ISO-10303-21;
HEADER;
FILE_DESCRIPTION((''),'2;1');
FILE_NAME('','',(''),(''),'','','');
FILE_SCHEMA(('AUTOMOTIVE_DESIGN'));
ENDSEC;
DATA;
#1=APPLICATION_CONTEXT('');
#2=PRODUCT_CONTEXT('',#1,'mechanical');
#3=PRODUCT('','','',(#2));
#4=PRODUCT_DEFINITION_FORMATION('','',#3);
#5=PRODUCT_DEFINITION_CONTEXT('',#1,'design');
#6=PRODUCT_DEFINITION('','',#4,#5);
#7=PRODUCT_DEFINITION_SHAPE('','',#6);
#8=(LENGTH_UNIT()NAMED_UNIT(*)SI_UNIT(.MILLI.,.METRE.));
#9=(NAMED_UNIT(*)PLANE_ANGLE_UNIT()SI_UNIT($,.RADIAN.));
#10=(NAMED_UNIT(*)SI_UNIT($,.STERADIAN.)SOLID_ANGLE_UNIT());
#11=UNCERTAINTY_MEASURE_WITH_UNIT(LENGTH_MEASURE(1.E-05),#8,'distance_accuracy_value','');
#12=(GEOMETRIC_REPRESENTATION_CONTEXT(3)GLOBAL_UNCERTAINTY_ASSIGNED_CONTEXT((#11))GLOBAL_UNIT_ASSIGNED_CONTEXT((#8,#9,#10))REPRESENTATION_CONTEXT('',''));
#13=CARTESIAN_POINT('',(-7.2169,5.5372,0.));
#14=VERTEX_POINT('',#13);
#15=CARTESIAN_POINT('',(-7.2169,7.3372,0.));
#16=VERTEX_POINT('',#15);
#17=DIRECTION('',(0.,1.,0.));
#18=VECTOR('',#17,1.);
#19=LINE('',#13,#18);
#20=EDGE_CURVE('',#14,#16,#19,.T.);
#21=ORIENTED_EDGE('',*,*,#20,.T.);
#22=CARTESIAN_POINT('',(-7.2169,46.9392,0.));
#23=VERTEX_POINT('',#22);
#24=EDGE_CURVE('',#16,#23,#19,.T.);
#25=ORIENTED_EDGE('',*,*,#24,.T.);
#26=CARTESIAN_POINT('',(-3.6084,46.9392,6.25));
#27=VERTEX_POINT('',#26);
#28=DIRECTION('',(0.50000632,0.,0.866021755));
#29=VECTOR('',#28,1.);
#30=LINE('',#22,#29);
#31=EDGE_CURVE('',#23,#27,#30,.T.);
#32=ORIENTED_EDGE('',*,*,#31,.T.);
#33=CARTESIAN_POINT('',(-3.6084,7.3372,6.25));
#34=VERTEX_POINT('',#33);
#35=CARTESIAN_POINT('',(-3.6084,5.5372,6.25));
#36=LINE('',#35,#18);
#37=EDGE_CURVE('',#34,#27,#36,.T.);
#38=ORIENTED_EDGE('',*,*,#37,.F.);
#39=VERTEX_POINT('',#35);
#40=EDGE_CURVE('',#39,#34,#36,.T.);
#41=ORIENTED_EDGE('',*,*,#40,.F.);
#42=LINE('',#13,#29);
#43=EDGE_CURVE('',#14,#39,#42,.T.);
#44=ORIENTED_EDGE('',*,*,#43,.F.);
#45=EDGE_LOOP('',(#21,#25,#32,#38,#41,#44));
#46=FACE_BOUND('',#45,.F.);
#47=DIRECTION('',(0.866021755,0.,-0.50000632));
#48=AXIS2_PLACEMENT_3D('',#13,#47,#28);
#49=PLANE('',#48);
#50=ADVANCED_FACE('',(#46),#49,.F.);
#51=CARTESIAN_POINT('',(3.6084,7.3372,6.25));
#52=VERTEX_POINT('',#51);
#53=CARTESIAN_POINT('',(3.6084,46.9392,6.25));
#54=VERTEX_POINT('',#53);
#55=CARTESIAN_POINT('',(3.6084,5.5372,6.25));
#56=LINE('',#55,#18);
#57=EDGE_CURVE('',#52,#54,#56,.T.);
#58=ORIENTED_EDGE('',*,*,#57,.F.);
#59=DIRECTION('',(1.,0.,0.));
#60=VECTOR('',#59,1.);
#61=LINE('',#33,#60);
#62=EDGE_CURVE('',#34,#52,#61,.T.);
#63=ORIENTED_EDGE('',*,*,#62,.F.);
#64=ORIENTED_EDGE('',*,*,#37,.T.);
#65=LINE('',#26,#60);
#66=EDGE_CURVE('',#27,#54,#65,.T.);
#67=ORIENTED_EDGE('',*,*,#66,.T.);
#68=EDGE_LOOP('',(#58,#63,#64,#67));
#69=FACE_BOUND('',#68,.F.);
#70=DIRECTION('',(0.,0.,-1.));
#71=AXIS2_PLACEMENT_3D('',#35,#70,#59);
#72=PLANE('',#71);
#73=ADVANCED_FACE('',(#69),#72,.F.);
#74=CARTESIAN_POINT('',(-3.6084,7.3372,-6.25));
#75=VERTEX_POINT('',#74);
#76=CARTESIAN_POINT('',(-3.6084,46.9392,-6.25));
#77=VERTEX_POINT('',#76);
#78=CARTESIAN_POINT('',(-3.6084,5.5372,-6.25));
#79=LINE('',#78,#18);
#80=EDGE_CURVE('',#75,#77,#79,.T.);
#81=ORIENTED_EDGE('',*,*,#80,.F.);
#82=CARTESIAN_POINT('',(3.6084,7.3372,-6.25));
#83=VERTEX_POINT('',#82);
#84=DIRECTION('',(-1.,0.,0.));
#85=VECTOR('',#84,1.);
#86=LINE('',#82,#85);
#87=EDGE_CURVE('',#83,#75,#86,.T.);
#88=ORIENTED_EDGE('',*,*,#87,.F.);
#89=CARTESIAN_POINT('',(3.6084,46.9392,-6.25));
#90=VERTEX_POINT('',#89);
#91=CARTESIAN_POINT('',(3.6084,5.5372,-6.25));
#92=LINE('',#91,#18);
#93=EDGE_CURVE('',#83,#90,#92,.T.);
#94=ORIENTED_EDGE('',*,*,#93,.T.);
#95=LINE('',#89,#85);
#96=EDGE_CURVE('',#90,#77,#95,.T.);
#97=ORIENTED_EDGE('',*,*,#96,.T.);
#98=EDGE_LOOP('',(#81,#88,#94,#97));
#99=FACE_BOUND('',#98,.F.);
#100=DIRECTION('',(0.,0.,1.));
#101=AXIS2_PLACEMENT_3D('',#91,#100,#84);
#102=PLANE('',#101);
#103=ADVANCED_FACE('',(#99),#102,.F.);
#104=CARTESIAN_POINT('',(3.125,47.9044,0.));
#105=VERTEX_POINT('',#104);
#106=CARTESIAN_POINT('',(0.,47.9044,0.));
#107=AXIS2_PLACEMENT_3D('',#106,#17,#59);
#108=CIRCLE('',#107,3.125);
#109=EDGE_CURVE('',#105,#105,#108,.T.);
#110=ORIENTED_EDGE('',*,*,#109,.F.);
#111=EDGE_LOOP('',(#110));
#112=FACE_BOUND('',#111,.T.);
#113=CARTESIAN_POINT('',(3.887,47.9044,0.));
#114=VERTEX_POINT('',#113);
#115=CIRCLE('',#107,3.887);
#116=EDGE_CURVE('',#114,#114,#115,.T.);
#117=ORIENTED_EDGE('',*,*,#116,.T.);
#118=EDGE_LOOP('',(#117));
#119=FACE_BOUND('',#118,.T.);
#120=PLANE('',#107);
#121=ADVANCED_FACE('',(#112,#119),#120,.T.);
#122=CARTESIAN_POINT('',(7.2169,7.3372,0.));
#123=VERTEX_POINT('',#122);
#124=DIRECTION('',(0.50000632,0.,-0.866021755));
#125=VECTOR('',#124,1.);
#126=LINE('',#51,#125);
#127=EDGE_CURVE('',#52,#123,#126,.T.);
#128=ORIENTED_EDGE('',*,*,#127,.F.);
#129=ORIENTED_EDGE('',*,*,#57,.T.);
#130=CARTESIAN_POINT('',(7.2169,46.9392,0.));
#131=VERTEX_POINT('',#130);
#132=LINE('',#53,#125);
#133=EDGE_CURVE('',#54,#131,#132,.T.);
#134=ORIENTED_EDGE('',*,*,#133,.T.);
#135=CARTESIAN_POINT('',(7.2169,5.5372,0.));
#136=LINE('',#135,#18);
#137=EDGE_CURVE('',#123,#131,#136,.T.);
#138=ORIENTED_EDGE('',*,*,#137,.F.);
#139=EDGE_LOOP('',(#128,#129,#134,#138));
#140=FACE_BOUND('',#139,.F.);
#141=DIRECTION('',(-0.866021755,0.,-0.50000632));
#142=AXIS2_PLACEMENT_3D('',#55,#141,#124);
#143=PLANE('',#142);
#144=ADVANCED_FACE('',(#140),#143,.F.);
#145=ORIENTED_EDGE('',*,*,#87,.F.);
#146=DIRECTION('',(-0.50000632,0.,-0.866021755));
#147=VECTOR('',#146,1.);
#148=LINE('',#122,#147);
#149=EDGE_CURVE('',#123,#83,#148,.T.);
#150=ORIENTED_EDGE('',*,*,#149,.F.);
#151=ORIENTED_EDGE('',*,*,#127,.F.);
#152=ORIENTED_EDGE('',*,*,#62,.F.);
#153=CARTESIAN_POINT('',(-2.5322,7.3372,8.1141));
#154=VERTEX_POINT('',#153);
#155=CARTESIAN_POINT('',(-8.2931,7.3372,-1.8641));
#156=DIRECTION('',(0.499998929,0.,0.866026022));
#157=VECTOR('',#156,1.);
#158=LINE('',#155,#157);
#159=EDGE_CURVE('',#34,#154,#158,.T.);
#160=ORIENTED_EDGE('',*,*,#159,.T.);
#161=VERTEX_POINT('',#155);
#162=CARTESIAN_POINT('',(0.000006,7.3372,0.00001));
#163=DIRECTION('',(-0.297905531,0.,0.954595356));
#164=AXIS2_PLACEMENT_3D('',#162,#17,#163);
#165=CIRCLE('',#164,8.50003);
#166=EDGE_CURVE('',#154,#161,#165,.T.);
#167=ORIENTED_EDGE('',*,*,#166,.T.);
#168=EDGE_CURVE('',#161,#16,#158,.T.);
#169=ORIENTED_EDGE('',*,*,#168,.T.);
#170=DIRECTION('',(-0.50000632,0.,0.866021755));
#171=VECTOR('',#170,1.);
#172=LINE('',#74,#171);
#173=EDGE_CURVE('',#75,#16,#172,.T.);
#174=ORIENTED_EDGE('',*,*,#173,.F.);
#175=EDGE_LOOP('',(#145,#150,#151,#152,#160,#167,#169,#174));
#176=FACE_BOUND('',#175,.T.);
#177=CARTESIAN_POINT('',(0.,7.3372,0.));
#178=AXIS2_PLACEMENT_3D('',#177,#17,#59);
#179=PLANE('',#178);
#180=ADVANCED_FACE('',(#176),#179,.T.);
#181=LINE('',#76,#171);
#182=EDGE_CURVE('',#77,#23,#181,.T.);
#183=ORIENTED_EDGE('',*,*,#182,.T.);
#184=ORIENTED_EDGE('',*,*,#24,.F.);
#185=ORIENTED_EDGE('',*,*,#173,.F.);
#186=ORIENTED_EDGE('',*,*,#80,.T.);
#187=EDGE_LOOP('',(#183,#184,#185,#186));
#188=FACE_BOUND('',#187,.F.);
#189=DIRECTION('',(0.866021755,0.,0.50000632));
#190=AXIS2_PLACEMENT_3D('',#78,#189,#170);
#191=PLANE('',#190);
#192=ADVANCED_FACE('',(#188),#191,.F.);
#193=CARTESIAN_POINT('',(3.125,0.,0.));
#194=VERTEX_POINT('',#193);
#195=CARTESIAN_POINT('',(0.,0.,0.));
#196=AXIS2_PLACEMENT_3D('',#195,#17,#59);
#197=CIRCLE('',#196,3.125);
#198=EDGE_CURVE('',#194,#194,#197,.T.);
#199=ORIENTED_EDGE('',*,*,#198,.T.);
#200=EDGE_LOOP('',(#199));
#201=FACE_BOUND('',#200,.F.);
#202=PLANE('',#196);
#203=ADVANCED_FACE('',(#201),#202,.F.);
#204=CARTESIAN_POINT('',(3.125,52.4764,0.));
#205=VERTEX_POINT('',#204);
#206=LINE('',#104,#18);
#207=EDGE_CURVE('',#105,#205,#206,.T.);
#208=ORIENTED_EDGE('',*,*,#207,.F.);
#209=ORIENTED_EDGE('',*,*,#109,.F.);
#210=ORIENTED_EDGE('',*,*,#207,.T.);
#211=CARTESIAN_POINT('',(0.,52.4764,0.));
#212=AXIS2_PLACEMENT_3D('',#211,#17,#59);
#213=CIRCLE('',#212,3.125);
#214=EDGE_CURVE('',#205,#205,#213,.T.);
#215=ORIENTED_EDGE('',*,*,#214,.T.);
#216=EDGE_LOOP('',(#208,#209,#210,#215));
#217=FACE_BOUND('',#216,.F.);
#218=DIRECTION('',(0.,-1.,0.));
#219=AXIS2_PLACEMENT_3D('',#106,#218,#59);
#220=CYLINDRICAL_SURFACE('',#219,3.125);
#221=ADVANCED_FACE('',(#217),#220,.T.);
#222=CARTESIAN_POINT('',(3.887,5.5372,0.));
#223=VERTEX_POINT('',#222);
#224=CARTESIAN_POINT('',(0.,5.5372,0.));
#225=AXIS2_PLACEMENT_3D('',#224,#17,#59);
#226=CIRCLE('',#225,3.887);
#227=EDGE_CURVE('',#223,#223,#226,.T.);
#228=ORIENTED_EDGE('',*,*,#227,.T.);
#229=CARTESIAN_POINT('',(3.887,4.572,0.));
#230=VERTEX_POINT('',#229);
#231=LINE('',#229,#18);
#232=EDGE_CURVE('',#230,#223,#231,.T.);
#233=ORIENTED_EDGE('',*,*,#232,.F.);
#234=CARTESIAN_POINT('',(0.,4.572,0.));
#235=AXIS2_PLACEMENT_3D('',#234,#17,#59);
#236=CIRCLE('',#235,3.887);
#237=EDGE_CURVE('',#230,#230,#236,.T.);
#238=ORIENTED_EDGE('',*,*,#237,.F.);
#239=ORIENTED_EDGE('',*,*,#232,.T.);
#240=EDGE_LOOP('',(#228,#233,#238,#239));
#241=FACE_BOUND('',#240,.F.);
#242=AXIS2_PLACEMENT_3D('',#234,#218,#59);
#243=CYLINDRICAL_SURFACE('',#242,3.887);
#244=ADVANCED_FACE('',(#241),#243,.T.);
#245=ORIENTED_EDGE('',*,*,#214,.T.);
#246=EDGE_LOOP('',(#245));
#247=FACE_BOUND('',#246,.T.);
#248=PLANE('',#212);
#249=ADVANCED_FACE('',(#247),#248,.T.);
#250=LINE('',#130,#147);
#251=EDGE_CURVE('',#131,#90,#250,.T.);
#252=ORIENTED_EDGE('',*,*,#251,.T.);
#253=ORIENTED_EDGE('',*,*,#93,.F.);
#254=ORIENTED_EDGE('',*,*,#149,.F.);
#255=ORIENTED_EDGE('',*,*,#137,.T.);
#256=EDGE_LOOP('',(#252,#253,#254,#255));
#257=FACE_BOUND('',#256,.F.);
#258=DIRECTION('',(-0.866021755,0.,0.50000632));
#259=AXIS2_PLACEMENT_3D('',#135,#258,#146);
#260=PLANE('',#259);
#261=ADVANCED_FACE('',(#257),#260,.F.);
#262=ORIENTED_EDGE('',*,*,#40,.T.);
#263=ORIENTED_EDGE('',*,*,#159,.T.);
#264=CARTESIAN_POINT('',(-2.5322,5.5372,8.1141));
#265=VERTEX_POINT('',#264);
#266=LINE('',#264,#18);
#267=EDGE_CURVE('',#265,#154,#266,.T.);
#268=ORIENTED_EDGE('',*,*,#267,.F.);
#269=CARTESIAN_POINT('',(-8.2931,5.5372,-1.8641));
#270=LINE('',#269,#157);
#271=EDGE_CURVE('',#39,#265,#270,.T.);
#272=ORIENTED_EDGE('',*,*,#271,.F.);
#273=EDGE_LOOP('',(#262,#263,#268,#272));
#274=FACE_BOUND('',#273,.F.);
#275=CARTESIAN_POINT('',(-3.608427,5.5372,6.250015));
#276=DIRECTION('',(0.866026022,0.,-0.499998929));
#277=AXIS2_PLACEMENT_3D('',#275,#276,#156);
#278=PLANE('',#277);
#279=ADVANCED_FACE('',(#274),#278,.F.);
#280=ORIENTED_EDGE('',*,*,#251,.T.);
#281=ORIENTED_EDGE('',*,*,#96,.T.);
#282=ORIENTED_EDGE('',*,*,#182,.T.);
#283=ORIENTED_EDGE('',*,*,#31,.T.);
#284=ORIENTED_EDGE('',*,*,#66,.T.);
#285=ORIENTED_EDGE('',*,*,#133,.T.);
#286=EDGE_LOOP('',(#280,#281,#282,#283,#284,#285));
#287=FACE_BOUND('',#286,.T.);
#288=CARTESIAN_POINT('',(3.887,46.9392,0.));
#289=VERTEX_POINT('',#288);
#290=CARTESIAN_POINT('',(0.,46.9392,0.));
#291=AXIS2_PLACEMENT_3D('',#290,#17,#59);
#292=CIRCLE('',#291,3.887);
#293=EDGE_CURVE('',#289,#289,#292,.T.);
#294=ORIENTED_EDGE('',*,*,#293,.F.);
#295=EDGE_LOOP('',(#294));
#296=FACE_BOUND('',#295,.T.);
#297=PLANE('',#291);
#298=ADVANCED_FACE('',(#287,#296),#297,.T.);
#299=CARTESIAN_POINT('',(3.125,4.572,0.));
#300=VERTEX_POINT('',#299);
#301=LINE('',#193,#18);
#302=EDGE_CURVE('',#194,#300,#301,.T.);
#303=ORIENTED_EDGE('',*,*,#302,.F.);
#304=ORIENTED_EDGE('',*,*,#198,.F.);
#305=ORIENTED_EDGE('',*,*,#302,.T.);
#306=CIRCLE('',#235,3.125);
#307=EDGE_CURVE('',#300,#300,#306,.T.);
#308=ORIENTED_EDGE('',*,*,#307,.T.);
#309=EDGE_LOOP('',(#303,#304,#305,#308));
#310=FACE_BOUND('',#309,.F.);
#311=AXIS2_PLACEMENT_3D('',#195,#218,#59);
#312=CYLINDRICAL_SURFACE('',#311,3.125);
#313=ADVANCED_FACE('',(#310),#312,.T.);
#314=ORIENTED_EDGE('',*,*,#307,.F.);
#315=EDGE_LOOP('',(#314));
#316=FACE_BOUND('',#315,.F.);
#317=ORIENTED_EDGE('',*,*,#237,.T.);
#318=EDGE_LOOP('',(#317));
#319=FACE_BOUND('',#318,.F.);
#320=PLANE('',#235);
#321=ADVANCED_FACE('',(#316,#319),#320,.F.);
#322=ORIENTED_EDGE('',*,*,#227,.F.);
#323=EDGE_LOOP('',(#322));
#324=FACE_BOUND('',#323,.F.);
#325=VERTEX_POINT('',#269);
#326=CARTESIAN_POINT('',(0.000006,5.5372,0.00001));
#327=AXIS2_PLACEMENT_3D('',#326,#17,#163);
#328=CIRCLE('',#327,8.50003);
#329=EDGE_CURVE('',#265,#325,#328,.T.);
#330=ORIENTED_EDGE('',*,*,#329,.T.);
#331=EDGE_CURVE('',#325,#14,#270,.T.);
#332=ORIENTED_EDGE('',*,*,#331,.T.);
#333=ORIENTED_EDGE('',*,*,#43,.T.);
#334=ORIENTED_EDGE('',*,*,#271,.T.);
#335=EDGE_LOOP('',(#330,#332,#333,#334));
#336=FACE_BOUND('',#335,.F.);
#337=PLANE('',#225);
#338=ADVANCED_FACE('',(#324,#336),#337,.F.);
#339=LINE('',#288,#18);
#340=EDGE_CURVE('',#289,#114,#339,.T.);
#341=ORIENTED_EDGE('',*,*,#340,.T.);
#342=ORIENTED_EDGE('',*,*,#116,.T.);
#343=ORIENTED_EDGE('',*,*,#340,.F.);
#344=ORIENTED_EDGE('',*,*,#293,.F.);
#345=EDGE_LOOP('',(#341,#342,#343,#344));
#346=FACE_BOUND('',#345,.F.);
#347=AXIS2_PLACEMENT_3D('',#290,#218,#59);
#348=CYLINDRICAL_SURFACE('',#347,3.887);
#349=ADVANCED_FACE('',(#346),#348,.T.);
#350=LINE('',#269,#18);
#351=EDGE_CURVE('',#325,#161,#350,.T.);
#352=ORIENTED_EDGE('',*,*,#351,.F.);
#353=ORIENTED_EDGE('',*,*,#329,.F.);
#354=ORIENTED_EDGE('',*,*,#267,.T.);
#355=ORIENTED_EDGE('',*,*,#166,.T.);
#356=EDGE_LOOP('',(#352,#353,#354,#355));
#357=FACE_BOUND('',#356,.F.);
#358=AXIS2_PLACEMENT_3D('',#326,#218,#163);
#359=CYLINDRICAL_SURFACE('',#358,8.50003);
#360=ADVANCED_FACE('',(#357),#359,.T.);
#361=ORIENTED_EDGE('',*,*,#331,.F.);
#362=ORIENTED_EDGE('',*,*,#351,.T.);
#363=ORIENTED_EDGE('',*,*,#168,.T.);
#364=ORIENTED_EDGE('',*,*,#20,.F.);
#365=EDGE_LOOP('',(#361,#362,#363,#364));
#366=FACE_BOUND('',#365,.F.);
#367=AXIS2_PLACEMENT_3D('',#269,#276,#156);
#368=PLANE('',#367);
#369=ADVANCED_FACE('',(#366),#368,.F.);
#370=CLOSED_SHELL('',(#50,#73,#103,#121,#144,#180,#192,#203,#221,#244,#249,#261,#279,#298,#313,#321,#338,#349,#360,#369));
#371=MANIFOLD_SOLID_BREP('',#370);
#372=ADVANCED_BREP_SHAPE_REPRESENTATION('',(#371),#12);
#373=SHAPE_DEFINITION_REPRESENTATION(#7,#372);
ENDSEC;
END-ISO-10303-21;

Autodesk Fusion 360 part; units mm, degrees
sketch "Sketch1" plane through (0, 0, 0) normal (0, 1, 0) x (1, 0, 0)
  circle A0 centre (0, 0) radius 3.125
  circle A1 centre (0, 0) radius 3.887
  line L0 (7.2169, 0) -> (3.6084, 6.25)
  line L1 (3.6084, 6.25) -> (-3.6084, 6.25)
  line L2 (-3.6084, 6.25) -> (-7.2169, 0)
  line L3 (-7.2169, 0) -> (-3.6084, -6.25)
  line L4 (-3.6084, -6.25) -> (3.6084, -6.25)
  line L5 (3.6084, -6.25) -> (7.2169, 0)
  line L6 (-8.2931, 1.8641) -> (-2.5322, -8.1141)
  arc A2 (-2.5322, -8.1141) -> (-8.2931, 1.8641) centre (0, 0) ccw
  dimension "d1" = 6.25
  dimension "d2" = 0.762
  dimension "d3" = 6.25
  dimension "d22" = 8.5
extrude "Extrude1" add sketch "Sketch1" along normal blind 4.572 contours A0
extrude "Extrude2" add sketch "Sketch1" along normal blind 0.9652 from surface at 4.572 contours A0 | A1
extrude "Extrude3" add sketch "Sketch1" along normal blind 41.402 from surface at 5.5372 contours A0 | A1 | L0 L1 L2 L3 L4 L5 L6
extrude "Extrude4" add sketch "Sketch1" along normal blind 0.9652 from surface at 46.9392 contours A0 | A1
extrude "Extrude5" add sketch "Sketch1" along normal blind 4.572 from surface at 47.9044 contours A0
extrude "Extrude6" add sketch "Sketch1" along normal blind 1.8 from surface at 5.5372 contours L0 L1 L2 L4 L5 L6 A2
equation "d1 = ( ( 1 / 4 ) * 1 ) * 1 in - 0.1 mm"
equation "d3 = 0.25 in - 0.1 mm"
